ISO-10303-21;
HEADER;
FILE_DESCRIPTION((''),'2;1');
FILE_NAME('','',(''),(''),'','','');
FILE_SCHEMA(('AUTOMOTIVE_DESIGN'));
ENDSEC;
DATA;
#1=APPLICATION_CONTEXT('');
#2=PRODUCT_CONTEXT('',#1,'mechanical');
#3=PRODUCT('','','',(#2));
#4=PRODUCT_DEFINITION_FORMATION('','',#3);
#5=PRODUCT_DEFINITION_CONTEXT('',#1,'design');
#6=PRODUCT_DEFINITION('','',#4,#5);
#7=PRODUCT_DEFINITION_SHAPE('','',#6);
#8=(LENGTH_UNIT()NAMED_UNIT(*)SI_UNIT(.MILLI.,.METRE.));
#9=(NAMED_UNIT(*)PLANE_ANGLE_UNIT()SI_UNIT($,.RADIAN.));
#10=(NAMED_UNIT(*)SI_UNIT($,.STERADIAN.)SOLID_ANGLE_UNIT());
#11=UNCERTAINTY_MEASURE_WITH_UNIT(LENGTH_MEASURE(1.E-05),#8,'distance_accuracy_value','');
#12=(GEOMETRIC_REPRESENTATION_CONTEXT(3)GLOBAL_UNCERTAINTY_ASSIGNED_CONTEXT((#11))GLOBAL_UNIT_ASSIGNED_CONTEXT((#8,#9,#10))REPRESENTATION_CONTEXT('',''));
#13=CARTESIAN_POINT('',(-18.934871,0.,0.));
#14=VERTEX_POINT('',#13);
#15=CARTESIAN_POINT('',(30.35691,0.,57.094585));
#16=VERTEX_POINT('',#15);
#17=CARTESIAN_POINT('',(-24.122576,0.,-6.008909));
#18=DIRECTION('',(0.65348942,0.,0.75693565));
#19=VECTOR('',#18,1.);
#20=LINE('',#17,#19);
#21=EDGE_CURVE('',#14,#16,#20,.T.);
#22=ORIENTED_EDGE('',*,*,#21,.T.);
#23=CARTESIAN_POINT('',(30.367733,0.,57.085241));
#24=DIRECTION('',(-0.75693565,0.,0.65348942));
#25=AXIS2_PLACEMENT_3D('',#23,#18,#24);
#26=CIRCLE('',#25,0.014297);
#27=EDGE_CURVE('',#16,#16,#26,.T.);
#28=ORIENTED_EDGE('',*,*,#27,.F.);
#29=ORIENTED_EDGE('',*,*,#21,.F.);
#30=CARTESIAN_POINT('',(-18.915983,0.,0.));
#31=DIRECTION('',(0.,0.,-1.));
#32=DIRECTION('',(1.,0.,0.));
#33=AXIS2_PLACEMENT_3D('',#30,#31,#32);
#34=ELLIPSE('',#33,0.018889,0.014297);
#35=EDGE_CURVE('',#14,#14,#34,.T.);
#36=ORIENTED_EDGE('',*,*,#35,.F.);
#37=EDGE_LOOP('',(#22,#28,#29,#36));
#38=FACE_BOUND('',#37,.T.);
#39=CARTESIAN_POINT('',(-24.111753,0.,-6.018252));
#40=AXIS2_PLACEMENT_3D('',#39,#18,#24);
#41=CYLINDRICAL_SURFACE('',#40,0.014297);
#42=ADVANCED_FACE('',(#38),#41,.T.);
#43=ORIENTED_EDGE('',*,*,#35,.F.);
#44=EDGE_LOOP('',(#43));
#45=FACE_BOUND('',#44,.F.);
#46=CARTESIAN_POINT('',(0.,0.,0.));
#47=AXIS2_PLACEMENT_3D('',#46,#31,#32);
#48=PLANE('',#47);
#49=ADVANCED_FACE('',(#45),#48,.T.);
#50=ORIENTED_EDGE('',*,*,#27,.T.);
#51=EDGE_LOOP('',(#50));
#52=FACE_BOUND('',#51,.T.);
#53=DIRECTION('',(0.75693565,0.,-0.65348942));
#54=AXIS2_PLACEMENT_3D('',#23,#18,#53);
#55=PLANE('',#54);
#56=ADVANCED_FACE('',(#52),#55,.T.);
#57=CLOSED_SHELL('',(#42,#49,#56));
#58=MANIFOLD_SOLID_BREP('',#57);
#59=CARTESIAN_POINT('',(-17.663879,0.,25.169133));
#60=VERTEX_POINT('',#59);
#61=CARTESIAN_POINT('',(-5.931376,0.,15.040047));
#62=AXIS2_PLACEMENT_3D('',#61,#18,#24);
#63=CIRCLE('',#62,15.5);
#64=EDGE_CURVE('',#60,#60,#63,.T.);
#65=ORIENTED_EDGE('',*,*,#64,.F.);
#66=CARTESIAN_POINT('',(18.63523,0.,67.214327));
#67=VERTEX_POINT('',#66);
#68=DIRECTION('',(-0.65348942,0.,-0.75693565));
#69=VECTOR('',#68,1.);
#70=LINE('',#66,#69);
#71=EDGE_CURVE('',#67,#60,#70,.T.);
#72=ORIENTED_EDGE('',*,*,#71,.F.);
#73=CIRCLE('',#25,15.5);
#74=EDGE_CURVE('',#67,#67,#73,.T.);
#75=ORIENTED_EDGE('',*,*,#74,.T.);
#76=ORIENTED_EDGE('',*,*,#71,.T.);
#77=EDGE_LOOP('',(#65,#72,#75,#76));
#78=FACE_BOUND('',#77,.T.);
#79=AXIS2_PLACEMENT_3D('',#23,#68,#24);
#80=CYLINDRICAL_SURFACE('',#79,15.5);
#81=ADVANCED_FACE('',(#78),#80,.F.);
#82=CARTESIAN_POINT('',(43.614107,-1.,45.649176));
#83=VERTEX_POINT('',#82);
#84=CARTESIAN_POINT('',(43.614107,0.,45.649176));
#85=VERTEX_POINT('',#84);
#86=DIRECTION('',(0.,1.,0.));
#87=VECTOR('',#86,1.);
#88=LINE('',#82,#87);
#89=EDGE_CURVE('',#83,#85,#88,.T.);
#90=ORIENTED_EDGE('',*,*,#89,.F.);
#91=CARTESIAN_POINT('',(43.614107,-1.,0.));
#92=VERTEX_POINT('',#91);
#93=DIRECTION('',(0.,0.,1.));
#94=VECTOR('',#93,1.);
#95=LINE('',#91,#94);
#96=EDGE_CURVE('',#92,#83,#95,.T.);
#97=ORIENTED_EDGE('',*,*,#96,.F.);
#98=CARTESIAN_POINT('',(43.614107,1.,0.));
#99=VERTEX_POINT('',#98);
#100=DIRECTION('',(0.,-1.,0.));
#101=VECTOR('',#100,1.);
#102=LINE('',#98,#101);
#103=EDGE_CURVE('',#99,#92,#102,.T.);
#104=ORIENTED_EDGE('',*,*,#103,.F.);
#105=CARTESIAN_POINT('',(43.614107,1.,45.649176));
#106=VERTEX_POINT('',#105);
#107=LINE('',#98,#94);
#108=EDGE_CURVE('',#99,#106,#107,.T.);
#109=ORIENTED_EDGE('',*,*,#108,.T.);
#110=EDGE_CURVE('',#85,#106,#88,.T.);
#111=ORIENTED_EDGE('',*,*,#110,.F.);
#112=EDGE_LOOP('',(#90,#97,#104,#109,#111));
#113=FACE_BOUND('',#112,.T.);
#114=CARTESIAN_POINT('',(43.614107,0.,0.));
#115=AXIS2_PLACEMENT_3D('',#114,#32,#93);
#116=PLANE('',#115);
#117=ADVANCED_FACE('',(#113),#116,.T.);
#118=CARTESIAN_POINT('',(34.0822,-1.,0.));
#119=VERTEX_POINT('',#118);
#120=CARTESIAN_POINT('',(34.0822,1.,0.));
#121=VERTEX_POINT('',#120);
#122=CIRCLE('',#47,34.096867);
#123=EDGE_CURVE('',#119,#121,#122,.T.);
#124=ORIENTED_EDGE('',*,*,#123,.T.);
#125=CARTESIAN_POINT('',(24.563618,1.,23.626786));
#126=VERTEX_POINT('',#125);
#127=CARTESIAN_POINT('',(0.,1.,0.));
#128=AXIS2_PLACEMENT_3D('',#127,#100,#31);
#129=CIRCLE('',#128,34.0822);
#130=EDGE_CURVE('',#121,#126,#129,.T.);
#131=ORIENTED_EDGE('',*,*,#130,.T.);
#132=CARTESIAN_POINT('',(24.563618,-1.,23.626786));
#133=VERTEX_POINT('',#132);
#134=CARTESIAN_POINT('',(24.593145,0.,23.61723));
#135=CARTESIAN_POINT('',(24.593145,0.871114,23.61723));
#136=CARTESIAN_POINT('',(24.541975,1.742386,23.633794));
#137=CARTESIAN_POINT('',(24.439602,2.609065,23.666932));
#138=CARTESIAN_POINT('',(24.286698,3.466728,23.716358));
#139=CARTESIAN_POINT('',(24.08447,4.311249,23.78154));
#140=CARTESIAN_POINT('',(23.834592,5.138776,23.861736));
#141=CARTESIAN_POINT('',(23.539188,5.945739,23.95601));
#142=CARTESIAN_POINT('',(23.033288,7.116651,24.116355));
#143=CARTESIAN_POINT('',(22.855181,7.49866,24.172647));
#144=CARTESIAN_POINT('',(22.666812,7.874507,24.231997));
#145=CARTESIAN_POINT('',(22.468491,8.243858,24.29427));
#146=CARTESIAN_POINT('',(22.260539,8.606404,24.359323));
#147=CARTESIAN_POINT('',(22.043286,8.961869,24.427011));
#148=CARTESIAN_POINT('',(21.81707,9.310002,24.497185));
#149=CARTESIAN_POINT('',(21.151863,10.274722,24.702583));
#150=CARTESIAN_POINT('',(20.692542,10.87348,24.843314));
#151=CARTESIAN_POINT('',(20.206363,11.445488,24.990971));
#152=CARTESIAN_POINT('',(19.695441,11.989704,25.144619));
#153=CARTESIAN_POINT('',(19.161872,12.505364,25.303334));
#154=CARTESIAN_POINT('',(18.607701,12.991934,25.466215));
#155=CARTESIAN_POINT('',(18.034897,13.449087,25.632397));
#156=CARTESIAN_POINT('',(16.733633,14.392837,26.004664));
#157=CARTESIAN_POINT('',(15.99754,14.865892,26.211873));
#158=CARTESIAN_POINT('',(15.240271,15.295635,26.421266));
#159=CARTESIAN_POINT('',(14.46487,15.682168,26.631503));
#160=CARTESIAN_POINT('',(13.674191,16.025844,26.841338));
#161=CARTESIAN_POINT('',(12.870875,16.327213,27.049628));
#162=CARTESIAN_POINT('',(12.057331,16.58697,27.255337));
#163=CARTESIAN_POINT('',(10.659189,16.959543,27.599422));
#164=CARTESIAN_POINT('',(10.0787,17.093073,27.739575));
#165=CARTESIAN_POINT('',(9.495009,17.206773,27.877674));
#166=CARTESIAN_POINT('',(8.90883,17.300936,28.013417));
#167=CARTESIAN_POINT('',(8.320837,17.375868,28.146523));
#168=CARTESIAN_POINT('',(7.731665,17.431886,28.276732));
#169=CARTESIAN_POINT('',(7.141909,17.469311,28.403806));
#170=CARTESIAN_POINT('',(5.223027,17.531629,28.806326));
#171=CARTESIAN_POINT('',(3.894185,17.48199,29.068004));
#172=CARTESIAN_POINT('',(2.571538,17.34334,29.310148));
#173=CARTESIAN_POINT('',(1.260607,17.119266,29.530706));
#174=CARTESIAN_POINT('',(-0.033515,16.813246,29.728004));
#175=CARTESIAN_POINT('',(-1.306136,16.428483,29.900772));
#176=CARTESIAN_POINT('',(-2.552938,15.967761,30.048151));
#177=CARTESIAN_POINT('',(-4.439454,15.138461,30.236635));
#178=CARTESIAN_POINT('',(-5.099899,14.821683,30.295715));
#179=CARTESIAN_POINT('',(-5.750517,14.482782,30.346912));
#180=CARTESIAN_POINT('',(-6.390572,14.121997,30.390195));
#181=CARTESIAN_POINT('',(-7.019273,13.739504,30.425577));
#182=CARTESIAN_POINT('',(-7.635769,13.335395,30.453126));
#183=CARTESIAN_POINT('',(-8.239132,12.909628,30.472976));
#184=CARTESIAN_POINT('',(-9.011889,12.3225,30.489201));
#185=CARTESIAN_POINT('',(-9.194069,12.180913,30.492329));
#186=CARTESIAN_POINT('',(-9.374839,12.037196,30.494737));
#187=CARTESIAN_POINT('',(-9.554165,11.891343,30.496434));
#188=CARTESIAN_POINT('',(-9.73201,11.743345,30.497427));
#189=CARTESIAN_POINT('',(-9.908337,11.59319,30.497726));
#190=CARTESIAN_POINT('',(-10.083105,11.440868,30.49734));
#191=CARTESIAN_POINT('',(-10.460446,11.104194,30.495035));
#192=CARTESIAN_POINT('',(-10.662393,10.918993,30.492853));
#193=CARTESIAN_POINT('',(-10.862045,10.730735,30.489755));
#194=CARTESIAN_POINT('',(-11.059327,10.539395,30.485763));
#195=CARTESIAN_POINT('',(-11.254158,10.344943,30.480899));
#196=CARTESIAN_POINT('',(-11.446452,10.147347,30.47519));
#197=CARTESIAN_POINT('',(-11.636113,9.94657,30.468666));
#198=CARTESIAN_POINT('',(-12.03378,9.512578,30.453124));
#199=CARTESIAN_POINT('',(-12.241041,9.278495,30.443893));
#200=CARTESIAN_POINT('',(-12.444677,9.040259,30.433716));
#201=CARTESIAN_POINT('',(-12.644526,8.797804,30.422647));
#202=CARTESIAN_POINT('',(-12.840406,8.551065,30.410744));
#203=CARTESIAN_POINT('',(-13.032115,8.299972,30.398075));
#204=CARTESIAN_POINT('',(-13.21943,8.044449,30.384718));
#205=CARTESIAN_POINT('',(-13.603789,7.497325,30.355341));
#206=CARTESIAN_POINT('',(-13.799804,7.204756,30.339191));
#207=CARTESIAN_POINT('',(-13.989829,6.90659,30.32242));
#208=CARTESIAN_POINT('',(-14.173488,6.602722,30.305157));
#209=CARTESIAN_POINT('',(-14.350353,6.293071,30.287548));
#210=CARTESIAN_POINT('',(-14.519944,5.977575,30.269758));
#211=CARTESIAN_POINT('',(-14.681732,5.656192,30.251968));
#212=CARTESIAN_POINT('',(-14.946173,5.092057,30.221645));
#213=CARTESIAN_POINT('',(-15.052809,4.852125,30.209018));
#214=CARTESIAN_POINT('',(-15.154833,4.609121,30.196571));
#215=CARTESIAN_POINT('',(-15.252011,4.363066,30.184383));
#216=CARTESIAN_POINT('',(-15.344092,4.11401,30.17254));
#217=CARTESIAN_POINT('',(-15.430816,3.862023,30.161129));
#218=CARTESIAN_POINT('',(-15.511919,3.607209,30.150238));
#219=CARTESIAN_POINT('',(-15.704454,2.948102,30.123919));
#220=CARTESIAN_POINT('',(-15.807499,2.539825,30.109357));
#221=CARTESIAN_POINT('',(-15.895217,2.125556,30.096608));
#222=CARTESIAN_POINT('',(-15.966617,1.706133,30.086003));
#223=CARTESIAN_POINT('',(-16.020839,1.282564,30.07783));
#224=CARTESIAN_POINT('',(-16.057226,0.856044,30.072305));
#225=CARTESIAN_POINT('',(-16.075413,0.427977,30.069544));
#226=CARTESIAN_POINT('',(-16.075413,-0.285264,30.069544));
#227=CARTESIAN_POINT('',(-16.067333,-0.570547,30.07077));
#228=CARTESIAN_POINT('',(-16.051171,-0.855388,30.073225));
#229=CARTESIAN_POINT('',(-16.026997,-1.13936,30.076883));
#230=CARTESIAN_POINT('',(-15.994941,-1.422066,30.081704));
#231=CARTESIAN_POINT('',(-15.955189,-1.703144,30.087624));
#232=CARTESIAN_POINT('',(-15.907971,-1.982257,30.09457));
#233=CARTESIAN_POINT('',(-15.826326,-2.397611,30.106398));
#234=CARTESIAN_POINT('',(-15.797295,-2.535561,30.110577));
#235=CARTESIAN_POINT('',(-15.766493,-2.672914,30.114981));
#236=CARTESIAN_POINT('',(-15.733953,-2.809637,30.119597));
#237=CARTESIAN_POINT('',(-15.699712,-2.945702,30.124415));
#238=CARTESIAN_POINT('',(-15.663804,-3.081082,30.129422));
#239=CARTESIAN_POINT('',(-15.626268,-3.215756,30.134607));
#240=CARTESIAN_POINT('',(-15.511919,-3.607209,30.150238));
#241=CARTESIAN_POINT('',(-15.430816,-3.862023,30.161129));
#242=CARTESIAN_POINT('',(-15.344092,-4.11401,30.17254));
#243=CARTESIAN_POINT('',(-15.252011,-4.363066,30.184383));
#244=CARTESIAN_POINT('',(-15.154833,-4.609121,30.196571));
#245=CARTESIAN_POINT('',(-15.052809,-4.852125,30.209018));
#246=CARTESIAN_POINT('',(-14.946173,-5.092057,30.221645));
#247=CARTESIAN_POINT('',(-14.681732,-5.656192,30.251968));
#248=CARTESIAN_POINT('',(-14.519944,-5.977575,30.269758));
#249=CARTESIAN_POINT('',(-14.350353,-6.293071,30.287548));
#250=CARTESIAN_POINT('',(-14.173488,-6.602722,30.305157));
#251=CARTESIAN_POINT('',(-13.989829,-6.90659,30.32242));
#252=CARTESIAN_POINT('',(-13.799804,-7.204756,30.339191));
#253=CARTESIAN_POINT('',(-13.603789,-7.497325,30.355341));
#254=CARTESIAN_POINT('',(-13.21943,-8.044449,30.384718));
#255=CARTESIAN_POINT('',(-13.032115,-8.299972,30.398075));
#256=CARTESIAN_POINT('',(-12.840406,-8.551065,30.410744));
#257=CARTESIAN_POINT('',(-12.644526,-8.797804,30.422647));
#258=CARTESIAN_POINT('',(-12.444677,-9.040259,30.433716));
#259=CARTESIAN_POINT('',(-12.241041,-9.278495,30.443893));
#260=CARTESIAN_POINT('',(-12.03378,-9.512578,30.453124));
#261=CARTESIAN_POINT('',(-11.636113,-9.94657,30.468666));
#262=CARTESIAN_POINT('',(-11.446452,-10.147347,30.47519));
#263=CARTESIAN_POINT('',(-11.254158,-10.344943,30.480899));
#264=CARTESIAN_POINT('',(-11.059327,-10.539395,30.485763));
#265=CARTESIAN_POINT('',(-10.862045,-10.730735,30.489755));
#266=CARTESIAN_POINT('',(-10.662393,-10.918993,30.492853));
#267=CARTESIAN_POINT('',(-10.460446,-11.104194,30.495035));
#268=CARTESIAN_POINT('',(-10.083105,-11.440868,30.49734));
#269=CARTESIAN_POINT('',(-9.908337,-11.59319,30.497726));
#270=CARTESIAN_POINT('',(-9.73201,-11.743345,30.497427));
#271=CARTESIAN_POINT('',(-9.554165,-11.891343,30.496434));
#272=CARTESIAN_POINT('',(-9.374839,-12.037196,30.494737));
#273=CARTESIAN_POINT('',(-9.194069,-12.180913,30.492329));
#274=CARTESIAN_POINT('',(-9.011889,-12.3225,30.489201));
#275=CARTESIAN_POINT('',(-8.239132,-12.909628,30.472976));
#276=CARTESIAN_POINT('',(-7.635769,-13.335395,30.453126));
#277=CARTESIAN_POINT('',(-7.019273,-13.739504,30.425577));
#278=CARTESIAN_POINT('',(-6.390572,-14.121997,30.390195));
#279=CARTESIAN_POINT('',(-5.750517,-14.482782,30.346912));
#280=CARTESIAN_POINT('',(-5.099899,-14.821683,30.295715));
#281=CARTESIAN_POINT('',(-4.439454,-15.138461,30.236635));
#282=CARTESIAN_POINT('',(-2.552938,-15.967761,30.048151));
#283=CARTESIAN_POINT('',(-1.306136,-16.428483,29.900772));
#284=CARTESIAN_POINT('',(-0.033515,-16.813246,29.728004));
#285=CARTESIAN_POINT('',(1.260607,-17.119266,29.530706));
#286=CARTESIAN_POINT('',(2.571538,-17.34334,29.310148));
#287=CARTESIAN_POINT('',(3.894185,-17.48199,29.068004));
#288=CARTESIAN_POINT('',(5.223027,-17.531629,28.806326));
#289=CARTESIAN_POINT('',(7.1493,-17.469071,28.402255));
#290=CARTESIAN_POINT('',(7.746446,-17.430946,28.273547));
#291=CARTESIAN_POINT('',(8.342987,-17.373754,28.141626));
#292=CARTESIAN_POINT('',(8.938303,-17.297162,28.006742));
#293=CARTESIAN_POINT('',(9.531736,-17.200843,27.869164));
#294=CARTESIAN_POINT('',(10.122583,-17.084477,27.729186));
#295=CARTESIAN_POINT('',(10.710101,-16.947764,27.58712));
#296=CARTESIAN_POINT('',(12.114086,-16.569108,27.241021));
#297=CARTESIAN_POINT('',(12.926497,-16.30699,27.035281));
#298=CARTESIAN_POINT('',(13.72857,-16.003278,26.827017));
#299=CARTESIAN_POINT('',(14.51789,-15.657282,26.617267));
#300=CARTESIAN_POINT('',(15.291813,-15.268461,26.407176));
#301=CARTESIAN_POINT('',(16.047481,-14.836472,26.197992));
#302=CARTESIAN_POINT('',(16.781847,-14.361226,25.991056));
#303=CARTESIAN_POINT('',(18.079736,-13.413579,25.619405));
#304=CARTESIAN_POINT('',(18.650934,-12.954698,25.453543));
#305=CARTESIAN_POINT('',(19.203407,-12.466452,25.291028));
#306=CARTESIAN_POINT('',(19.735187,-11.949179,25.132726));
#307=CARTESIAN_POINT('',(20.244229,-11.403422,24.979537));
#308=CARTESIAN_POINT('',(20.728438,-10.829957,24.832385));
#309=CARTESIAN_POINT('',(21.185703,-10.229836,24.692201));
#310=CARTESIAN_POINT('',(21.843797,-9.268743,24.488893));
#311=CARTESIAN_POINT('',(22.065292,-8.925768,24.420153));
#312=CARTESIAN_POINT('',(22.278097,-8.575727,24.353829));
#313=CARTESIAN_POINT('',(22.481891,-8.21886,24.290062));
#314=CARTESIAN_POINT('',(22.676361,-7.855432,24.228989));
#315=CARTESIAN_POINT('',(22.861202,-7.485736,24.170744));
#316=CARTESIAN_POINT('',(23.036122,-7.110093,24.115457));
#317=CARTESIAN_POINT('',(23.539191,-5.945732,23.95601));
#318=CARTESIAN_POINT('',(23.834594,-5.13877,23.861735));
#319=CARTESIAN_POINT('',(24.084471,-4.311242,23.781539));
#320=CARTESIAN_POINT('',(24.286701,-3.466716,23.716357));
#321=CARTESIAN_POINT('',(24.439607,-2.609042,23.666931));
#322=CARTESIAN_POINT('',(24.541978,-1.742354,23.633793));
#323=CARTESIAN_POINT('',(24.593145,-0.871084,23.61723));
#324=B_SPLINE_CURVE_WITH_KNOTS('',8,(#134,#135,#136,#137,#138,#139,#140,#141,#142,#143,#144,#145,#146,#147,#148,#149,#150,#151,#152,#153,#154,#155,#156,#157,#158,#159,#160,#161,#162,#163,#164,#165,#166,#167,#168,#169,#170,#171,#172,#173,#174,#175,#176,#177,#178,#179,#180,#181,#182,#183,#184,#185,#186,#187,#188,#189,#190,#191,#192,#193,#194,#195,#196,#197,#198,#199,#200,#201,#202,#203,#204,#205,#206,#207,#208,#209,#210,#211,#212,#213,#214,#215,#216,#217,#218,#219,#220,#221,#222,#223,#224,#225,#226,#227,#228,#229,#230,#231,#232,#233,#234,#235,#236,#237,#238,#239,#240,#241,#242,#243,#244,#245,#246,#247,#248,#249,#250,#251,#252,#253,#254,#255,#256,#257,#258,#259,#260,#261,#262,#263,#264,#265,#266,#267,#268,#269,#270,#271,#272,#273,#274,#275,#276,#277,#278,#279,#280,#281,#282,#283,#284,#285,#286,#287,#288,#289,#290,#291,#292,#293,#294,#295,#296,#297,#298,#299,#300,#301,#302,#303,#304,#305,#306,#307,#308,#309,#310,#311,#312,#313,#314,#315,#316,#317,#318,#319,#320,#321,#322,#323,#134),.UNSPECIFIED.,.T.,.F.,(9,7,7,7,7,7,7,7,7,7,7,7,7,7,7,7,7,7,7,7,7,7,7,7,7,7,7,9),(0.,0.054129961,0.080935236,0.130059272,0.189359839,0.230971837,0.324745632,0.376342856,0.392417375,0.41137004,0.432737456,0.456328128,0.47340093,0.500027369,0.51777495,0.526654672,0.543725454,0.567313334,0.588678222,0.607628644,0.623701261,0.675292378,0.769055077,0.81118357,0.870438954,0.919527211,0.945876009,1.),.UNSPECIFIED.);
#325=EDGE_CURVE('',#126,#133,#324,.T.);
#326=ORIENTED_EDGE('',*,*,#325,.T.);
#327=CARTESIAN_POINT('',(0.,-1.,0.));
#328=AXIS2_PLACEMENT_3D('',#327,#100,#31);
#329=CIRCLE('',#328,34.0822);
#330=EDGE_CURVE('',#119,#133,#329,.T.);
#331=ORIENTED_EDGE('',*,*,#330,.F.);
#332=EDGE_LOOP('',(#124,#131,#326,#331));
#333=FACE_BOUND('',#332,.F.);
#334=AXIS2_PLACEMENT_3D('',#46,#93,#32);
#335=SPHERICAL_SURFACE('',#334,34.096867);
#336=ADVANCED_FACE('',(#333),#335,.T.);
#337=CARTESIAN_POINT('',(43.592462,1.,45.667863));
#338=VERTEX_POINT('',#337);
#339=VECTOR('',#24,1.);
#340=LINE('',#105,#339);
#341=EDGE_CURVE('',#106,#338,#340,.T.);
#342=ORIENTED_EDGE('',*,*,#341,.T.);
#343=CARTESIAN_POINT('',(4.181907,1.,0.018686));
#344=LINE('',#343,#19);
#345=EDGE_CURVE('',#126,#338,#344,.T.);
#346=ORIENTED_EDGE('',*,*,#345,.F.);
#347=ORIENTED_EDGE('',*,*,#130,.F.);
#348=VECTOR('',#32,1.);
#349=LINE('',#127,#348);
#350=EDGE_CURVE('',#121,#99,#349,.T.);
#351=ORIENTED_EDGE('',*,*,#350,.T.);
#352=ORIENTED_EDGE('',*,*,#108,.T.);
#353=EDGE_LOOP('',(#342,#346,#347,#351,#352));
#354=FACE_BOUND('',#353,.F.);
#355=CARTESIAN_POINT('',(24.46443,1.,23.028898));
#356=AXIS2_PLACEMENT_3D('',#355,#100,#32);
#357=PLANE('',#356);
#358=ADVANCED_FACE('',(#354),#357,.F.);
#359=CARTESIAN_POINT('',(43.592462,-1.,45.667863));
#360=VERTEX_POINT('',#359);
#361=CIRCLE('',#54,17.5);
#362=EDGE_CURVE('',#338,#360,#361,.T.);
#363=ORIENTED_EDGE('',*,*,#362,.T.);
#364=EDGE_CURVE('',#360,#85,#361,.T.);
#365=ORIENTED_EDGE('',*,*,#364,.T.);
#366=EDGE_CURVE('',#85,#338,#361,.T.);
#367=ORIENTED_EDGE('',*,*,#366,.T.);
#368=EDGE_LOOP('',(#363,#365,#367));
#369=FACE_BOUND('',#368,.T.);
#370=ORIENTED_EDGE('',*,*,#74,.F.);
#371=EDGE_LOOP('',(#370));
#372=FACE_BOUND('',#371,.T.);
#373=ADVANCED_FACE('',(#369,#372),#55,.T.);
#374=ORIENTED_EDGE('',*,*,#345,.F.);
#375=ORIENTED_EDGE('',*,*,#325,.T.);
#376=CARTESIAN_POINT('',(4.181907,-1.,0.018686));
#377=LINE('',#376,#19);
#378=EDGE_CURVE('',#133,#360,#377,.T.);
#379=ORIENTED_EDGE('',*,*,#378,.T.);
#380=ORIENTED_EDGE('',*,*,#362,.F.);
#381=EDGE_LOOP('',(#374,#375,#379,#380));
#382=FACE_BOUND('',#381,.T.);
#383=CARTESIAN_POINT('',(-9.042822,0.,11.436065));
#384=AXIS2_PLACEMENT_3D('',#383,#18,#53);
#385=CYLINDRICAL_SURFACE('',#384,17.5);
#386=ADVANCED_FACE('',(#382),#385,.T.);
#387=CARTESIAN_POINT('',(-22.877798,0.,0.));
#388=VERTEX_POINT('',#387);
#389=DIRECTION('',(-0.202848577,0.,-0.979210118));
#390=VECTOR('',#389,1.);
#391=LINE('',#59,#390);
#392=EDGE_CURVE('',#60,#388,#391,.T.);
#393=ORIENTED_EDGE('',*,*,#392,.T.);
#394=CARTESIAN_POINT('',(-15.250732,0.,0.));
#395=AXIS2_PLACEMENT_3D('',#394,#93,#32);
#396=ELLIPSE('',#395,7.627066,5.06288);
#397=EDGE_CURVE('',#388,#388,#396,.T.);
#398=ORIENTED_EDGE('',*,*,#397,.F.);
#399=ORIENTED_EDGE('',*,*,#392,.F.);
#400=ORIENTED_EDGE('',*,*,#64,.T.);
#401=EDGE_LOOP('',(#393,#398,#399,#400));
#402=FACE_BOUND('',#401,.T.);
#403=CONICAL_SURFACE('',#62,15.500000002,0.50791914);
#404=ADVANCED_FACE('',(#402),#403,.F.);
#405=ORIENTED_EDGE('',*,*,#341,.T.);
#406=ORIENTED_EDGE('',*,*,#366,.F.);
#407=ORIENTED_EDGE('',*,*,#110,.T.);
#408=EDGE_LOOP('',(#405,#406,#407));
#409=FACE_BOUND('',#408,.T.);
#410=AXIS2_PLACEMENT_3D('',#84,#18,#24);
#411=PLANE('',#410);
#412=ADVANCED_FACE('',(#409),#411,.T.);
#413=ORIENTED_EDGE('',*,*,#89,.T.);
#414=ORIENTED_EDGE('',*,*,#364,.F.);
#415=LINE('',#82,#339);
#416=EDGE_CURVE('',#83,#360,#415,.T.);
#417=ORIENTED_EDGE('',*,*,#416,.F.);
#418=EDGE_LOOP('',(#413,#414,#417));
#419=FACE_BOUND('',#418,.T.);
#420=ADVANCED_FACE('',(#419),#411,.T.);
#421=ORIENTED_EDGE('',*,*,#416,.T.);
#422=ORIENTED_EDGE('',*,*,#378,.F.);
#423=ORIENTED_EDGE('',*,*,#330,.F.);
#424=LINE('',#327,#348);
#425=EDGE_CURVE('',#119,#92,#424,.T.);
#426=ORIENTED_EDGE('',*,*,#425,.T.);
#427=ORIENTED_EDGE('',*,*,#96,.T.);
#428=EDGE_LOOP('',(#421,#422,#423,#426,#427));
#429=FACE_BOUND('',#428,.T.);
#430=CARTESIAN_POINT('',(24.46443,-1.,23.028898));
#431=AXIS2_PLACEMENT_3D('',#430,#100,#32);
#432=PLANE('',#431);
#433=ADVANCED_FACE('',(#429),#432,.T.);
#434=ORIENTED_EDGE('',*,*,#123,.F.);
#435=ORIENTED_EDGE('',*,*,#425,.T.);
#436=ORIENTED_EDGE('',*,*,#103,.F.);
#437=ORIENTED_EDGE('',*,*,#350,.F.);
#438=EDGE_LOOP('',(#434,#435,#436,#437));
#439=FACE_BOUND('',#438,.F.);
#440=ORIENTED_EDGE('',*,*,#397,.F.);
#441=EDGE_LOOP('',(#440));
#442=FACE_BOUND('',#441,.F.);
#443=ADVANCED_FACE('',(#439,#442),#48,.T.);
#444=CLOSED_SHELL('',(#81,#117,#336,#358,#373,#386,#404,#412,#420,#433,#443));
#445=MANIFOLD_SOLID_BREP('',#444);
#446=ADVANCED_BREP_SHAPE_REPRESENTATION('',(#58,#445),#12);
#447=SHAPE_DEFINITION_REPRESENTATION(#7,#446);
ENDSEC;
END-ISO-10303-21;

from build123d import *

# Parameters (mm, degrees)
F5_DEPTH = 1


with BuildPart() as f1:
    # F0 (on Front) → F1 (revolve)
    with BuildSketch(Plane.XZ):
        Polygon((-9.0428221142, 11.4360648491), (4.2035517583, 0), (43.6141065063, 45.6491764956), (30.3677326338, 57.0852413447), align=None)
    revolve(axis=Axis((10.6624552598, 0, 34.2606530969), (0.6534894199, 0, 0.7569356499)))

    # F2 (on Front) → F3 (revolve)
    with BuildSketch(Plane.XZ):
        with BuildLine():
            ThreePointArc((34.096867421, 0), (24.1101261706, 24.1101261706), (0, 34.096867421))
            Line((0, 34.096867421), (0, 0))
            Line((0, 0), (34.096867421, 0))
        make_face()
    revolve(axis=Axis((0, 0, 17.0484337105), (0, 0, -1)))

    # F4 (on Front) → F5 (join, symmetric)
    with BuildSketch(Plane.XZ):
        Polygon((0, 22.3168283701), (0, 0), (43.6141065063, 0), (43.6141065063, 45.6491764956), (30.1666682649, 57.2588273528), align=None)
    extrude(amount=F5_DEPTH, both=True)

    # F6 (on Front) → F7 (revolve, cut)
    with BuildSketch(Plane.XZ):
        Polygon((-24.1225756619, -6.0089087161), (30.3569104257, 57.0945845412), (18.6352300611, 67.2143273539), (-17.6638786383, 25.1691333633), align=None)
    revolve(axis=Axis((10.6624552598, 0, 34.2606530969), (0.6534894199, 0, 0.7569356499)), mode=Mode.SUBTRACT)


solid = f1.part
